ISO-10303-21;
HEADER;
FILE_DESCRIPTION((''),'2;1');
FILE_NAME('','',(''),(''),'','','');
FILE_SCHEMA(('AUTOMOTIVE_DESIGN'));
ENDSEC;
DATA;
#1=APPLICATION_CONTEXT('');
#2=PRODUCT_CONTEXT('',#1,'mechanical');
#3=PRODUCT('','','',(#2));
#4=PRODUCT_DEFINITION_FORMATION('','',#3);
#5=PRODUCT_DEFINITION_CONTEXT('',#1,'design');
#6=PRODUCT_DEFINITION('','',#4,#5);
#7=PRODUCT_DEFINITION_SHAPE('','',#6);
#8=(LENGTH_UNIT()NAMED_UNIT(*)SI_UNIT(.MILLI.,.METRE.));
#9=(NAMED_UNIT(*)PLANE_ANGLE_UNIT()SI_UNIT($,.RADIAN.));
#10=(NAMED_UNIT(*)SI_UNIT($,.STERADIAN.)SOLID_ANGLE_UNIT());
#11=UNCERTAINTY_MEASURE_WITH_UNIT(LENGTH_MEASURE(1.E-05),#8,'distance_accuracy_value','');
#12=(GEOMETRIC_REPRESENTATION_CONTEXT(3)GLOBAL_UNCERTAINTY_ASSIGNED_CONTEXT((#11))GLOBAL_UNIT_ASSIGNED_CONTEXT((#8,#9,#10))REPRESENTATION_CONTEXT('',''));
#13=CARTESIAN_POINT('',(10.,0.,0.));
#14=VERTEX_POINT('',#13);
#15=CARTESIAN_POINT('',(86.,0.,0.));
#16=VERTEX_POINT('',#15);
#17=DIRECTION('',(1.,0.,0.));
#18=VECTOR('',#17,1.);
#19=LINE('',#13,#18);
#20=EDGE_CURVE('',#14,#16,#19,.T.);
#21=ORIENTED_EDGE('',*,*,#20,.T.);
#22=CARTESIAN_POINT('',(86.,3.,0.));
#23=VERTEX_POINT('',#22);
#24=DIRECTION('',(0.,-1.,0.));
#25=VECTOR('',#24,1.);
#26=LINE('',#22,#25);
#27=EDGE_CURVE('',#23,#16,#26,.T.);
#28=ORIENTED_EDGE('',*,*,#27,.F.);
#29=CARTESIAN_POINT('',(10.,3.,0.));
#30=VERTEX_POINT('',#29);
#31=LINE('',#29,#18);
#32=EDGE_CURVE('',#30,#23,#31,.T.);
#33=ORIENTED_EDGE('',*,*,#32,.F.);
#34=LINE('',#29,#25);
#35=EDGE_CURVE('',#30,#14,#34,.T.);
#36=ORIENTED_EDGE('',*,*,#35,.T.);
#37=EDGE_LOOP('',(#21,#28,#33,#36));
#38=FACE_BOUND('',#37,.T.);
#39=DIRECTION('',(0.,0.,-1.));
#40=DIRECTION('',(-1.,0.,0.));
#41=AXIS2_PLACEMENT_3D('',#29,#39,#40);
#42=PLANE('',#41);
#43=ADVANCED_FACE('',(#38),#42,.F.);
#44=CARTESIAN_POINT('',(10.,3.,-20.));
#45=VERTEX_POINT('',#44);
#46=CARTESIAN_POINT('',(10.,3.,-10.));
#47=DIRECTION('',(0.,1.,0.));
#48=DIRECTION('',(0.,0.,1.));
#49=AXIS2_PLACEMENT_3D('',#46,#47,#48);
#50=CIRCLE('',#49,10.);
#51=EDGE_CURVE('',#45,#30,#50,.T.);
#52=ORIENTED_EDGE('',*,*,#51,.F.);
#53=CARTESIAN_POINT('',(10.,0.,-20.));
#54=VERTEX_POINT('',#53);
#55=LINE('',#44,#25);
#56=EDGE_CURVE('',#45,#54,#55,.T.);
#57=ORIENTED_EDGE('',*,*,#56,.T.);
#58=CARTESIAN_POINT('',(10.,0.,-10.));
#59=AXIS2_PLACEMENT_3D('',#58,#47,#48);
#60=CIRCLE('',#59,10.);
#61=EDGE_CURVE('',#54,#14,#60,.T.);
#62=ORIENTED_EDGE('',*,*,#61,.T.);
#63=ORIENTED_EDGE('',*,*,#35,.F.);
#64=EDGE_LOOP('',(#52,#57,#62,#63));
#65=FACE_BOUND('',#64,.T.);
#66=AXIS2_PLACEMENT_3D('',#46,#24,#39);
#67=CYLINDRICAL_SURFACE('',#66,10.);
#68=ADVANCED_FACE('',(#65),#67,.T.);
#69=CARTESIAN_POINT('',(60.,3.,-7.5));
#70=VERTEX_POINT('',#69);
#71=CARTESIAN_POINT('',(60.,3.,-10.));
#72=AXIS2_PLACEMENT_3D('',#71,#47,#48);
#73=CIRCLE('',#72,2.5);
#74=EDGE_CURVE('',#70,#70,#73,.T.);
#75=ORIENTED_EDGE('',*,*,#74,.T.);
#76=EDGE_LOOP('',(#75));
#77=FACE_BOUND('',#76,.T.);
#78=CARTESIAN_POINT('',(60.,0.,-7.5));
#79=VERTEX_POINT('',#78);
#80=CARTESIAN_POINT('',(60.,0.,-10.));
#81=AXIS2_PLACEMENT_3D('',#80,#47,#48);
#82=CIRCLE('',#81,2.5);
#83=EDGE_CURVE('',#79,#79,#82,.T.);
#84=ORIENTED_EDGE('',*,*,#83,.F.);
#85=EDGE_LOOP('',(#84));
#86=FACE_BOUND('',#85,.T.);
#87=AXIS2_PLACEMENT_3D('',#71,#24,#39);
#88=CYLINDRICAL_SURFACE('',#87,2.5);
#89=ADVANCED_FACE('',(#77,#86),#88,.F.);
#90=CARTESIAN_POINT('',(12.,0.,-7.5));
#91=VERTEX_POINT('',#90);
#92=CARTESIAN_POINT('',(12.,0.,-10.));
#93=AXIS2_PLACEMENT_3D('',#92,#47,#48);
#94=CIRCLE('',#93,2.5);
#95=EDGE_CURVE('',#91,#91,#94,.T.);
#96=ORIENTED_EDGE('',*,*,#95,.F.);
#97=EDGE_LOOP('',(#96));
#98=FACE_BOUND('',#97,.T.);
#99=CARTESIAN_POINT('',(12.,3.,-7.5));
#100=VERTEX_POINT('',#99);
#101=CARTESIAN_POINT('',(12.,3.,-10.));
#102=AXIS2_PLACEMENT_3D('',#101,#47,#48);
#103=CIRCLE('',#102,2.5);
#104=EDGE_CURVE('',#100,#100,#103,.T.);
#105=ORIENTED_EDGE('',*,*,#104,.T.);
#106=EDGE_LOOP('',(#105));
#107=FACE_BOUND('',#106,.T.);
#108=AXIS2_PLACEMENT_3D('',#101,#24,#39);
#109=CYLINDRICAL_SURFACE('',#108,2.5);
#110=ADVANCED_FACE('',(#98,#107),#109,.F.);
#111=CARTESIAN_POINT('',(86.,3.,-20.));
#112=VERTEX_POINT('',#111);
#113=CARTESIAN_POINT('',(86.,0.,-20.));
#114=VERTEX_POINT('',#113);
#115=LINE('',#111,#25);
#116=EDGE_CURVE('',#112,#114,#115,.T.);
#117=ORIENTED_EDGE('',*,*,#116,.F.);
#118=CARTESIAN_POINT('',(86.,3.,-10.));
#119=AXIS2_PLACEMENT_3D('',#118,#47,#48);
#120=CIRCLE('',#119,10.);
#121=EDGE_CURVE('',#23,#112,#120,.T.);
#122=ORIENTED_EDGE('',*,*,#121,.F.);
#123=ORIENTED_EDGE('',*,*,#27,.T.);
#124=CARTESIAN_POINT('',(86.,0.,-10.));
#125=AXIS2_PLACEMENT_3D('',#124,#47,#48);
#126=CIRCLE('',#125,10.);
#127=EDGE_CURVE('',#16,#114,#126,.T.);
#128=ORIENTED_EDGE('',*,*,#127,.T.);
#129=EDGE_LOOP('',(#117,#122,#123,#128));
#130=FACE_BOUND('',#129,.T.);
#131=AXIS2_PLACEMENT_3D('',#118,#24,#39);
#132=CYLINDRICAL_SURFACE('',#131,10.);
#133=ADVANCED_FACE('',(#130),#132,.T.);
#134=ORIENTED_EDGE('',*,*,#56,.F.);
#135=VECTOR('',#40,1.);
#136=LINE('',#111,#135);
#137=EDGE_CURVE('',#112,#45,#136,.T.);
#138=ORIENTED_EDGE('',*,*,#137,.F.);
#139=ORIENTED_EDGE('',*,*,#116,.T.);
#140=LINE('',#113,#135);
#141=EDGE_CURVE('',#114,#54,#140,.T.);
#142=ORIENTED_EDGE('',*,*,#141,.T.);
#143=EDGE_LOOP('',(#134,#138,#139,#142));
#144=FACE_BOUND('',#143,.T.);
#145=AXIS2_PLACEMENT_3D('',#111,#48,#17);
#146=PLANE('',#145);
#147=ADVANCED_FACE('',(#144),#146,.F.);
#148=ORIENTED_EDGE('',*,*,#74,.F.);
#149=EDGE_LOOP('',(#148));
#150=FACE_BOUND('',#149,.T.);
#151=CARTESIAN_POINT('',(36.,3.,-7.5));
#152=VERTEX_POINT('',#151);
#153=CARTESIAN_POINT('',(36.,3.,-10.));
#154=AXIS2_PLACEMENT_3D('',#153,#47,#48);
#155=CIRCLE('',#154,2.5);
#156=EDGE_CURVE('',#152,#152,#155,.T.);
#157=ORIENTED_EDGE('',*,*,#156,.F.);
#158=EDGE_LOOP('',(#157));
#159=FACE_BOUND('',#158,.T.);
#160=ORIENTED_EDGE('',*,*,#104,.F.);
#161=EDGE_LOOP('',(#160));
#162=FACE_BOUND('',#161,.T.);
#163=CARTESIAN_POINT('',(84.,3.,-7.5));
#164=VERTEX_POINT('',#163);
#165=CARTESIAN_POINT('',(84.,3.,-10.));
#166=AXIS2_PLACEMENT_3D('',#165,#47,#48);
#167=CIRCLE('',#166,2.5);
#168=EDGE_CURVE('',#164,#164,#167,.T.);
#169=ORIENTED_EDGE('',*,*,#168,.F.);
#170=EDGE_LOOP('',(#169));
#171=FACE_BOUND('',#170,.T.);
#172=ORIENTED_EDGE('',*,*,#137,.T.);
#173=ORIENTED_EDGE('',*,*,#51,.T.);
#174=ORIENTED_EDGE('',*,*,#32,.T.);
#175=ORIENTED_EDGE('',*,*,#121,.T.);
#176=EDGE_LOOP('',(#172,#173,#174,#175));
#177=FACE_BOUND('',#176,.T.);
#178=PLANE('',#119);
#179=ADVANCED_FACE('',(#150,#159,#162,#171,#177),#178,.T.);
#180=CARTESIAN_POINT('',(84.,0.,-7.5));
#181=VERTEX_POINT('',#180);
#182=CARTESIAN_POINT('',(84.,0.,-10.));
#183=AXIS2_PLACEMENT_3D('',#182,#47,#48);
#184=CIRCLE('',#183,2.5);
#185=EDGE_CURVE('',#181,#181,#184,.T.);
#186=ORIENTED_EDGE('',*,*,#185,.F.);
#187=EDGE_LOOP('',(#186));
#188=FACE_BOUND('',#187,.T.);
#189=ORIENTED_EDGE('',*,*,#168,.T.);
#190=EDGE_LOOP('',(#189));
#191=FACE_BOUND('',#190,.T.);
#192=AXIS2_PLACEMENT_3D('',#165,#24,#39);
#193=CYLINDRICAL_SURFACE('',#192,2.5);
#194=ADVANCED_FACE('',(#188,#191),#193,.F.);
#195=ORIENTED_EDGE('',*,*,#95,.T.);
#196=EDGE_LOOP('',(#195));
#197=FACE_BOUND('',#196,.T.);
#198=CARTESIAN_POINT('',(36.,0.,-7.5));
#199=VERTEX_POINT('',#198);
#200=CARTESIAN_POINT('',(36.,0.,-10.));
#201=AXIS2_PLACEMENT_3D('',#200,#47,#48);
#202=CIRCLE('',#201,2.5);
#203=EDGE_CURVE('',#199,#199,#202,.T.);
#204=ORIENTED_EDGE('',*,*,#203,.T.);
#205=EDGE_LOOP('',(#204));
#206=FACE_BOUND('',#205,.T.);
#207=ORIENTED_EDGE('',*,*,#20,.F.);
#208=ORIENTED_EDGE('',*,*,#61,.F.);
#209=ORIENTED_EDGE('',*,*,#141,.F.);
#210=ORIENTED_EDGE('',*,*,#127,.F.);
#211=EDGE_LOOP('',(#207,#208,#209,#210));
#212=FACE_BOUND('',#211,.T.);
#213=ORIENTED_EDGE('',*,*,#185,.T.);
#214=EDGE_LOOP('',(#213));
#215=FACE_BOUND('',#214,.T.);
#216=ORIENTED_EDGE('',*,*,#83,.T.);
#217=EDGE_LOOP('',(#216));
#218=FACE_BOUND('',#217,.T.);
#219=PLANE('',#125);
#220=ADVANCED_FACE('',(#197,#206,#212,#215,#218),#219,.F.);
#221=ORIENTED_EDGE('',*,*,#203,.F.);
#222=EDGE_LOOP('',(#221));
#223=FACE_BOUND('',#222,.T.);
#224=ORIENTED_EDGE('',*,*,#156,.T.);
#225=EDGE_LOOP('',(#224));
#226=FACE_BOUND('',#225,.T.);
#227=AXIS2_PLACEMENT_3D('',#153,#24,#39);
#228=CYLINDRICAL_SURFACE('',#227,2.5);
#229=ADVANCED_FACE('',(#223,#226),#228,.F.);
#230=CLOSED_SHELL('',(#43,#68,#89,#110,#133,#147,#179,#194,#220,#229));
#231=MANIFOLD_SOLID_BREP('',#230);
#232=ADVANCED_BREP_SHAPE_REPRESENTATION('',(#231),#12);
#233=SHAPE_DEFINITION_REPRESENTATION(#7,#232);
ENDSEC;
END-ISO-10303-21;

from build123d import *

# Parameters (mm, degrees)
SKETCH_1_R      = 2.5
EXTRUDE_1_DEPTH = 3


with BuildPart() as part:
    # 草图1 → 凸台-拉伸1 (new body)
    with BuildSketch(Plane(origin=(0, 0, 0), x_dir=(1, 0, 0), z_dir=(0, 1, 0))):
        with BuildLine():
            Line((10, 0), (86, 0))
            ThreePointArc((86, 0), (96, 10), (86, 20))
            Line((86, 20), (10, 20))
            ThreePointArc((10, 20), (0, 10), (10, 0))
        make_face()
        with Locations((12, 10)):
            Circle(SKETCH_1_R, mode=Mode.SUBTRACT)
        with Locations((36, 10)):
            Circle(SKETCH_1_R, mode=Mode.SUBTRACT)
        with Locations((60, 10)):
            Circle(SKETCH_1_R, mode=Mode.SUBTRACT)
        with Locations((84, 10)):
            Circle(SKETCH_1_R, mode=Mode.SUBTRACT)
    extrude(amount=EXTRUDE_1_DEPTH)


solid = part.part
